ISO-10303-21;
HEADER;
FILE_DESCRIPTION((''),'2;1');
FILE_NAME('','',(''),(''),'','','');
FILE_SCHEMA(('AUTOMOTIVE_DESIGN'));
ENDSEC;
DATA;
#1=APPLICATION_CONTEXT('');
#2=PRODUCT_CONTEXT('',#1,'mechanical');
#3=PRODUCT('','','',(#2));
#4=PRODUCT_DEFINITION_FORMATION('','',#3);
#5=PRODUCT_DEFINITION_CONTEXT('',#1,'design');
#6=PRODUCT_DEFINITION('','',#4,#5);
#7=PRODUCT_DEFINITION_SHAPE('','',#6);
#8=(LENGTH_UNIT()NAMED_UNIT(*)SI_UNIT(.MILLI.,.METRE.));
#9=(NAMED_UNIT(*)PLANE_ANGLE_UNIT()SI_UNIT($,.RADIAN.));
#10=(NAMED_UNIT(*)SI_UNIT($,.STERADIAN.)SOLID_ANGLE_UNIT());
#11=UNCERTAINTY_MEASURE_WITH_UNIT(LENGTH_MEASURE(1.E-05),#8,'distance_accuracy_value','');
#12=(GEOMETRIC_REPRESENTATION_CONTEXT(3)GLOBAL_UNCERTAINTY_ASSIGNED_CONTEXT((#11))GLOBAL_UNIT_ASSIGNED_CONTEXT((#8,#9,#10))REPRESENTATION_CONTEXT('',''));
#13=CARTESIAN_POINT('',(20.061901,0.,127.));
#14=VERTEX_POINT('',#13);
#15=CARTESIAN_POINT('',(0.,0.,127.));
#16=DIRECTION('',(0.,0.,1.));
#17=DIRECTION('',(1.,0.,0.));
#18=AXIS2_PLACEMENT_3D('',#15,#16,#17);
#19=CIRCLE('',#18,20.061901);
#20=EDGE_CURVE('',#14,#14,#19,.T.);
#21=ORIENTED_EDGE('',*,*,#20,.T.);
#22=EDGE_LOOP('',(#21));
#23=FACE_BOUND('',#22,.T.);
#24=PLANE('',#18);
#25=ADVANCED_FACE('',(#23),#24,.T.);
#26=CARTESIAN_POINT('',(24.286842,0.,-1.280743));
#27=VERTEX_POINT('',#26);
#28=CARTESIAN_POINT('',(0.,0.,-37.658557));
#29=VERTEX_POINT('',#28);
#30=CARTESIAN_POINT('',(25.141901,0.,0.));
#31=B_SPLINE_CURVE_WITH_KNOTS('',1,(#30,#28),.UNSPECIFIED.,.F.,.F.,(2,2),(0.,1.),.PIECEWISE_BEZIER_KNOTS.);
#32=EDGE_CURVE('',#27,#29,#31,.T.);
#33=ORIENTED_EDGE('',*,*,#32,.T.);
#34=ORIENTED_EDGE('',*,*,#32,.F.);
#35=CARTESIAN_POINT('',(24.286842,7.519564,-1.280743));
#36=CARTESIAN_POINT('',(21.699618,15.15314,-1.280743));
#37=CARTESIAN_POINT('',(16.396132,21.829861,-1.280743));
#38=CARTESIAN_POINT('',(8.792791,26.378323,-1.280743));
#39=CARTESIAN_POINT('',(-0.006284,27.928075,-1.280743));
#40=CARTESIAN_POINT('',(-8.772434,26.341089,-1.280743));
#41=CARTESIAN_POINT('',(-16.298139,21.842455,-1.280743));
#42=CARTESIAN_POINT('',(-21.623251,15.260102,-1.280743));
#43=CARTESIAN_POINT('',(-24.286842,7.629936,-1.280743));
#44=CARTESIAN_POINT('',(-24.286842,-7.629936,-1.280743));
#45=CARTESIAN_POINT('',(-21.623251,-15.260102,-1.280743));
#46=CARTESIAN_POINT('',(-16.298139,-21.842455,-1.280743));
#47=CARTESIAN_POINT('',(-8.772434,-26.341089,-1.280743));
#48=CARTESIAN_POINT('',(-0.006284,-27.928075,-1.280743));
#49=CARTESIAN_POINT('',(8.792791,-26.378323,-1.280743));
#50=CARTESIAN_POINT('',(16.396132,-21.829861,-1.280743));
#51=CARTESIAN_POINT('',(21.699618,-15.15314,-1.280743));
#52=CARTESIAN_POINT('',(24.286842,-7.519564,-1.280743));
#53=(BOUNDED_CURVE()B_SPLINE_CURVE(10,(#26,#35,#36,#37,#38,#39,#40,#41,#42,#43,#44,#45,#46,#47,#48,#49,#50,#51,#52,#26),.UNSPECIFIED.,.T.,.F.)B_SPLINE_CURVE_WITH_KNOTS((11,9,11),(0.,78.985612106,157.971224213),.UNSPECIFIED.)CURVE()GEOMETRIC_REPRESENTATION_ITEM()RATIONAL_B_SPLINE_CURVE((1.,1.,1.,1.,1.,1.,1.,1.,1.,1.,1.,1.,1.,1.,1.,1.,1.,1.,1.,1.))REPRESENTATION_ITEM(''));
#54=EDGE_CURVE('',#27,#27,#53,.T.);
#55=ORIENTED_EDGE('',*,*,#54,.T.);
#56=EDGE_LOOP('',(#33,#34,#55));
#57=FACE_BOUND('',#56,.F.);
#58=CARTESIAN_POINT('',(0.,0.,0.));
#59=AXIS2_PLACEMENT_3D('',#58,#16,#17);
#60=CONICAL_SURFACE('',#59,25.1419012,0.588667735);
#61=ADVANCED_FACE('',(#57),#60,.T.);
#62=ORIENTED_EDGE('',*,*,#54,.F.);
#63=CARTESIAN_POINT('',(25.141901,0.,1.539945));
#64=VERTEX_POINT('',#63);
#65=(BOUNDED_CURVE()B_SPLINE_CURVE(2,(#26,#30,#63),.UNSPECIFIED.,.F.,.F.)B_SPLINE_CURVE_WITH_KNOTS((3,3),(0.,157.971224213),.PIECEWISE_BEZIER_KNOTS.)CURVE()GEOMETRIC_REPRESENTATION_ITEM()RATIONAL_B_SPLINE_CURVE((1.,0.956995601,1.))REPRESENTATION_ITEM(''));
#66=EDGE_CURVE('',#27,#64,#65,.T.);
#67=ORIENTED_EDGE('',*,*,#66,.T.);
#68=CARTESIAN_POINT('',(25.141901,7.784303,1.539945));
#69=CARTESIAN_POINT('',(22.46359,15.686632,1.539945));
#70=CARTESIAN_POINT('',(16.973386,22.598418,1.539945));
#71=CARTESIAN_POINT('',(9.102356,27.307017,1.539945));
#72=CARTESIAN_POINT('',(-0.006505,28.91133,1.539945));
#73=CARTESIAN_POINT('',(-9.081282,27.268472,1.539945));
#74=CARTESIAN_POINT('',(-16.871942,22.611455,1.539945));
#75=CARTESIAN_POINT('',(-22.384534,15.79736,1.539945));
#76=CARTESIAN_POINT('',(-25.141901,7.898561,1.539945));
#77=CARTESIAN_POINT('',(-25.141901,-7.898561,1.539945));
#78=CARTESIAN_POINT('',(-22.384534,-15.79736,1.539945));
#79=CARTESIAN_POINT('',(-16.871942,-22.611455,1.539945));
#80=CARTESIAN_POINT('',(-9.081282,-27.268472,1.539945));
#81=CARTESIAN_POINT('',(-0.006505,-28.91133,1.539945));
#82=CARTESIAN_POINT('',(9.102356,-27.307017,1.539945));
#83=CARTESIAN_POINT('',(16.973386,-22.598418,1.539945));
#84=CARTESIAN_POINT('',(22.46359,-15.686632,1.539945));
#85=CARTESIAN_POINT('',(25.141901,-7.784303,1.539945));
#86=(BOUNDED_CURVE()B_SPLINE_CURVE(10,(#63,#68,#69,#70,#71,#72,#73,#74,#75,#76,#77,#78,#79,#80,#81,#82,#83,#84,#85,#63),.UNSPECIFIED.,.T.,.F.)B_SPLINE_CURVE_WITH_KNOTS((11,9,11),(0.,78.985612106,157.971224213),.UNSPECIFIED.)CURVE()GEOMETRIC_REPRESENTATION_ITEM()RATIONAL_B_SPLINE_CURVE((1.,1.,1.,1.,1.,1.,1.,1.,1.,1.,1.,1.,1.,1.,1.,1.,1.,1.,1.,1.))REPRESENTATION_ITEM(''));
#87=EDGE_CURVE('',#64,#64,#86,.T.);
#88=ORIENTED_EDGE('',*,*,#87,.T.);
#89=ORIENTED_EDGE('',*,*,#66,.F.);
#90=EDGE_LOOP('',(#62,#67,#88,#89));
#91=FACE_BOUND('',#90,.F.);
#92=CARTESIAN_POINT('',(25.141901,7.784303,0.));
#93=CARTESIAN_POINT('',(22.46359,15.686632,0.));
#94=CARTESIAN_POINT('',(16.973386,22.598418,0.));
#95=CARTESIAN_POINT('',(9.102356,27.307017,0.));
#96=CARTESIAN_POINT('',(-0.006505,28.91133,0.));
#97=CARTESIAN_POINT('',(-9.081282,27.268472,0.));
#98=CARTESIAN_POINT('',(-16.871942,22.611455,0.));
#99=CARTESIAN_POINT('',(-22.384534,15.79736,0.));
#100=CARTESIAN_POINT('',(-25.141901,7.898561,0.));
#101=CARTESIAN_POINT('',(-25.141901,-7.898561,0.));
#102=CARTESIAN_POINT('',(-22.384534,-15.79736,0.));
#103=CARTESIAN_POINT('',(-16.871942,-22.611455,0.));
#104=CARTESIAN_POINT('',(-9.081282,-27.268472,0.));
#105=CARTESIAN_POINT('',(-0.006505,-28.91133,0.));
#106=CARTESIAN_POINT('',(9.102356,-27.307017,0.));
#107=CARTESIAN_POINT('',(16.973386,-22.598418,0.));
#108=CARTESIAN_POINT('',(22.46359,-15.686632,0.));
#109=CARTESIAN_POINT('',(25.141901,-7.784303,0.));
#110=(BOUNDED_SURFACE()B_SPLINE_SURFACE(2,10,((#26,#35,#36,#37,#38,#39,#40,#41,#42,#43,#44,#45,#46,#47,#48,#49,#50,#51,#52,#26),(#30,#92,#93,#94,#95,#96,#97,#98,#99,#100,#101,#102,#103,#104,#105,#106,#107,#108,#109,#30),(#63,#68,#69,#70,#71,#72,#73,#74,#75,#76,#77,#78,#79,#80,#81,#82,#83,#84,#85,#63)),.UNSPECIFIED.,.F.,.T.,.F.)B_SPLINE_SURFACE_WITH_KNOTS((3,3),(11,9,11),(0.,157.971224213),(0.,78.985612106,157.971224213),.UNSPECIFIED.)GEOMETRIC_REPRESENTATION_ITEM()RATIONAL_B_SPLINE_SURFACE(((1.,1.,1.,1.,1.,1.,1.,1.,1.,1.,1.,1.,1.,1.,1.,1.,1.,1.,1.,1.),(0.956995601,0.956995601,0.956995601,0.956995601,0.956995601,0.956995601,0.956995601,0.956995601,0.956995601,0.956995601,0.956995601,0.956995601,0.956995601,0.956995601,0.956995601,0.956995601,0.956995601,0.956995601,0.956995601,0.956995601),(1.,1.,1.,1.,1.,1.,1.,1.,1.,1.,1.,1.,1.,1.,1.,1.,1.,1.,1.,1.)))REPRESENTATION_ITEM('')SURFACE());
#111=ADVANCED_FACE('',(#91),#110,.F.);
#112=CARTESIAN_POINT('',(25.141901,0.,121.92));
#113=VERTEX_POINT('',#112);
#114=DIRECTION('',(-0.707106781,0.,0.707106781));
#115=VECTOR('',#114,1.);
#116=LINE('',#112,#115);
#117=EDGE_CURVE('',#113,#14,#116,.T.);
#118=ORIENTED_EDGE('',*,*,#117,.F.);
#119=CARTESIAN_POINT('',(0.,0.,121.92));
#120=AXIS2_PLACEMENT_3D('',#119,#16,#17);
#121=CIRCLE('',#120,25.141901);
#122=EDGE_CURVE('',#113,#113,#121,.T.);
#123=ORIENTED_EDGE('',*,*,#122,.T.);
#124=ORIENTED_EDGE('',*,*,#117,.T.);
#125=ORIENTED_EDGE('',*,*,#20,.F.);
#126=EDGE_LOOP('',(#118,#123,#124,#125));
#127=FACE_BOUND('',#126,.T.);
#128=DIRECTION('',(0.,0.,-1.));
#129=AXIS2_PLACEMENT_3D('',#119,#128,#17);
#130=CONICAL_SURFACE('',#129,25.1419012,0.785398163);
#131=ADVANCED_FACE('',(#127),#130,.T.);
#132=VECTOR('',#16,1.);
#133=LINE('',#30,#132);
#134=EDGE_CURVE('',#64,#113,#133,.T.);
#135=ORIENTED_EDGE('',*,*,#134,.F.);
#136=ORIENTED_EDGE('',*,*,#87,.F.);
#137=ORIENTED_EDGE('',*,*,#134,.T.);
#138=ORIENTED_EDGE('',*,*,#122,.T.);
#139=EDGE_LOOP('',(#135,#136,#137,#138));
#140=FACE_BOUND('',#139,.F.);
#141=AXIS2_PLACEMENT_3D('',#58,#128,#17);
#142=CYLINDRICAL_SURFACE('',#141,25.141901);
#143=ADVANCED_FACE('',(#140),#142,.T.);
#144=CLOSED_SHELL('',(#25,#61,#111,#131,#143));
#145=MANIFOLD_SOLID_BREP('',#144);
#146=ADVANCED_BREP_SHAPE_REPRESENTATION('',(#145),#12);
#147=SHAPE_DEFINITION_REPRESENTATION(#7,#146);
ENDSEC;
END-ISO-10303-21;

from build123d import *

# Parameters (mm, degrees)
F0_R     = 25.1419011997
F1_DEPTH = 127
F4_R     = 5.08
F5_SIZE  = 5.08


with BuildPart() as f1:
    # F0 (on Top) → F1 (new body)
    with BuildSketch(Plane.XY):
        Circle(F0_R)
    extrude(amount=F1_DEPTH)

    # F0 (on Top) → F3 section 0
    with BuildSketch(Plane.XY, mode=Mode.PRIVATE) as f3_s0:
        Circle(F0_R)
    loft([f3_s0.sketch, Vertex(0, 0, -37.6585572958)])

    # F4
    f4_edges = [f1.edges().sort_by_distance(p)[0] for p in [
        (-25.141901, 0, 0),
    ]]
    fillet(f4_edges, radius=F4_R)

    # F5
    f5_edges = [f1.edges().sort_by_distance(p)[0] for p in [
        (-25.141901, 0, 127),
    ]]
    chamfer(f5_edges, length=F5_SIZE)


solid = f1.part
